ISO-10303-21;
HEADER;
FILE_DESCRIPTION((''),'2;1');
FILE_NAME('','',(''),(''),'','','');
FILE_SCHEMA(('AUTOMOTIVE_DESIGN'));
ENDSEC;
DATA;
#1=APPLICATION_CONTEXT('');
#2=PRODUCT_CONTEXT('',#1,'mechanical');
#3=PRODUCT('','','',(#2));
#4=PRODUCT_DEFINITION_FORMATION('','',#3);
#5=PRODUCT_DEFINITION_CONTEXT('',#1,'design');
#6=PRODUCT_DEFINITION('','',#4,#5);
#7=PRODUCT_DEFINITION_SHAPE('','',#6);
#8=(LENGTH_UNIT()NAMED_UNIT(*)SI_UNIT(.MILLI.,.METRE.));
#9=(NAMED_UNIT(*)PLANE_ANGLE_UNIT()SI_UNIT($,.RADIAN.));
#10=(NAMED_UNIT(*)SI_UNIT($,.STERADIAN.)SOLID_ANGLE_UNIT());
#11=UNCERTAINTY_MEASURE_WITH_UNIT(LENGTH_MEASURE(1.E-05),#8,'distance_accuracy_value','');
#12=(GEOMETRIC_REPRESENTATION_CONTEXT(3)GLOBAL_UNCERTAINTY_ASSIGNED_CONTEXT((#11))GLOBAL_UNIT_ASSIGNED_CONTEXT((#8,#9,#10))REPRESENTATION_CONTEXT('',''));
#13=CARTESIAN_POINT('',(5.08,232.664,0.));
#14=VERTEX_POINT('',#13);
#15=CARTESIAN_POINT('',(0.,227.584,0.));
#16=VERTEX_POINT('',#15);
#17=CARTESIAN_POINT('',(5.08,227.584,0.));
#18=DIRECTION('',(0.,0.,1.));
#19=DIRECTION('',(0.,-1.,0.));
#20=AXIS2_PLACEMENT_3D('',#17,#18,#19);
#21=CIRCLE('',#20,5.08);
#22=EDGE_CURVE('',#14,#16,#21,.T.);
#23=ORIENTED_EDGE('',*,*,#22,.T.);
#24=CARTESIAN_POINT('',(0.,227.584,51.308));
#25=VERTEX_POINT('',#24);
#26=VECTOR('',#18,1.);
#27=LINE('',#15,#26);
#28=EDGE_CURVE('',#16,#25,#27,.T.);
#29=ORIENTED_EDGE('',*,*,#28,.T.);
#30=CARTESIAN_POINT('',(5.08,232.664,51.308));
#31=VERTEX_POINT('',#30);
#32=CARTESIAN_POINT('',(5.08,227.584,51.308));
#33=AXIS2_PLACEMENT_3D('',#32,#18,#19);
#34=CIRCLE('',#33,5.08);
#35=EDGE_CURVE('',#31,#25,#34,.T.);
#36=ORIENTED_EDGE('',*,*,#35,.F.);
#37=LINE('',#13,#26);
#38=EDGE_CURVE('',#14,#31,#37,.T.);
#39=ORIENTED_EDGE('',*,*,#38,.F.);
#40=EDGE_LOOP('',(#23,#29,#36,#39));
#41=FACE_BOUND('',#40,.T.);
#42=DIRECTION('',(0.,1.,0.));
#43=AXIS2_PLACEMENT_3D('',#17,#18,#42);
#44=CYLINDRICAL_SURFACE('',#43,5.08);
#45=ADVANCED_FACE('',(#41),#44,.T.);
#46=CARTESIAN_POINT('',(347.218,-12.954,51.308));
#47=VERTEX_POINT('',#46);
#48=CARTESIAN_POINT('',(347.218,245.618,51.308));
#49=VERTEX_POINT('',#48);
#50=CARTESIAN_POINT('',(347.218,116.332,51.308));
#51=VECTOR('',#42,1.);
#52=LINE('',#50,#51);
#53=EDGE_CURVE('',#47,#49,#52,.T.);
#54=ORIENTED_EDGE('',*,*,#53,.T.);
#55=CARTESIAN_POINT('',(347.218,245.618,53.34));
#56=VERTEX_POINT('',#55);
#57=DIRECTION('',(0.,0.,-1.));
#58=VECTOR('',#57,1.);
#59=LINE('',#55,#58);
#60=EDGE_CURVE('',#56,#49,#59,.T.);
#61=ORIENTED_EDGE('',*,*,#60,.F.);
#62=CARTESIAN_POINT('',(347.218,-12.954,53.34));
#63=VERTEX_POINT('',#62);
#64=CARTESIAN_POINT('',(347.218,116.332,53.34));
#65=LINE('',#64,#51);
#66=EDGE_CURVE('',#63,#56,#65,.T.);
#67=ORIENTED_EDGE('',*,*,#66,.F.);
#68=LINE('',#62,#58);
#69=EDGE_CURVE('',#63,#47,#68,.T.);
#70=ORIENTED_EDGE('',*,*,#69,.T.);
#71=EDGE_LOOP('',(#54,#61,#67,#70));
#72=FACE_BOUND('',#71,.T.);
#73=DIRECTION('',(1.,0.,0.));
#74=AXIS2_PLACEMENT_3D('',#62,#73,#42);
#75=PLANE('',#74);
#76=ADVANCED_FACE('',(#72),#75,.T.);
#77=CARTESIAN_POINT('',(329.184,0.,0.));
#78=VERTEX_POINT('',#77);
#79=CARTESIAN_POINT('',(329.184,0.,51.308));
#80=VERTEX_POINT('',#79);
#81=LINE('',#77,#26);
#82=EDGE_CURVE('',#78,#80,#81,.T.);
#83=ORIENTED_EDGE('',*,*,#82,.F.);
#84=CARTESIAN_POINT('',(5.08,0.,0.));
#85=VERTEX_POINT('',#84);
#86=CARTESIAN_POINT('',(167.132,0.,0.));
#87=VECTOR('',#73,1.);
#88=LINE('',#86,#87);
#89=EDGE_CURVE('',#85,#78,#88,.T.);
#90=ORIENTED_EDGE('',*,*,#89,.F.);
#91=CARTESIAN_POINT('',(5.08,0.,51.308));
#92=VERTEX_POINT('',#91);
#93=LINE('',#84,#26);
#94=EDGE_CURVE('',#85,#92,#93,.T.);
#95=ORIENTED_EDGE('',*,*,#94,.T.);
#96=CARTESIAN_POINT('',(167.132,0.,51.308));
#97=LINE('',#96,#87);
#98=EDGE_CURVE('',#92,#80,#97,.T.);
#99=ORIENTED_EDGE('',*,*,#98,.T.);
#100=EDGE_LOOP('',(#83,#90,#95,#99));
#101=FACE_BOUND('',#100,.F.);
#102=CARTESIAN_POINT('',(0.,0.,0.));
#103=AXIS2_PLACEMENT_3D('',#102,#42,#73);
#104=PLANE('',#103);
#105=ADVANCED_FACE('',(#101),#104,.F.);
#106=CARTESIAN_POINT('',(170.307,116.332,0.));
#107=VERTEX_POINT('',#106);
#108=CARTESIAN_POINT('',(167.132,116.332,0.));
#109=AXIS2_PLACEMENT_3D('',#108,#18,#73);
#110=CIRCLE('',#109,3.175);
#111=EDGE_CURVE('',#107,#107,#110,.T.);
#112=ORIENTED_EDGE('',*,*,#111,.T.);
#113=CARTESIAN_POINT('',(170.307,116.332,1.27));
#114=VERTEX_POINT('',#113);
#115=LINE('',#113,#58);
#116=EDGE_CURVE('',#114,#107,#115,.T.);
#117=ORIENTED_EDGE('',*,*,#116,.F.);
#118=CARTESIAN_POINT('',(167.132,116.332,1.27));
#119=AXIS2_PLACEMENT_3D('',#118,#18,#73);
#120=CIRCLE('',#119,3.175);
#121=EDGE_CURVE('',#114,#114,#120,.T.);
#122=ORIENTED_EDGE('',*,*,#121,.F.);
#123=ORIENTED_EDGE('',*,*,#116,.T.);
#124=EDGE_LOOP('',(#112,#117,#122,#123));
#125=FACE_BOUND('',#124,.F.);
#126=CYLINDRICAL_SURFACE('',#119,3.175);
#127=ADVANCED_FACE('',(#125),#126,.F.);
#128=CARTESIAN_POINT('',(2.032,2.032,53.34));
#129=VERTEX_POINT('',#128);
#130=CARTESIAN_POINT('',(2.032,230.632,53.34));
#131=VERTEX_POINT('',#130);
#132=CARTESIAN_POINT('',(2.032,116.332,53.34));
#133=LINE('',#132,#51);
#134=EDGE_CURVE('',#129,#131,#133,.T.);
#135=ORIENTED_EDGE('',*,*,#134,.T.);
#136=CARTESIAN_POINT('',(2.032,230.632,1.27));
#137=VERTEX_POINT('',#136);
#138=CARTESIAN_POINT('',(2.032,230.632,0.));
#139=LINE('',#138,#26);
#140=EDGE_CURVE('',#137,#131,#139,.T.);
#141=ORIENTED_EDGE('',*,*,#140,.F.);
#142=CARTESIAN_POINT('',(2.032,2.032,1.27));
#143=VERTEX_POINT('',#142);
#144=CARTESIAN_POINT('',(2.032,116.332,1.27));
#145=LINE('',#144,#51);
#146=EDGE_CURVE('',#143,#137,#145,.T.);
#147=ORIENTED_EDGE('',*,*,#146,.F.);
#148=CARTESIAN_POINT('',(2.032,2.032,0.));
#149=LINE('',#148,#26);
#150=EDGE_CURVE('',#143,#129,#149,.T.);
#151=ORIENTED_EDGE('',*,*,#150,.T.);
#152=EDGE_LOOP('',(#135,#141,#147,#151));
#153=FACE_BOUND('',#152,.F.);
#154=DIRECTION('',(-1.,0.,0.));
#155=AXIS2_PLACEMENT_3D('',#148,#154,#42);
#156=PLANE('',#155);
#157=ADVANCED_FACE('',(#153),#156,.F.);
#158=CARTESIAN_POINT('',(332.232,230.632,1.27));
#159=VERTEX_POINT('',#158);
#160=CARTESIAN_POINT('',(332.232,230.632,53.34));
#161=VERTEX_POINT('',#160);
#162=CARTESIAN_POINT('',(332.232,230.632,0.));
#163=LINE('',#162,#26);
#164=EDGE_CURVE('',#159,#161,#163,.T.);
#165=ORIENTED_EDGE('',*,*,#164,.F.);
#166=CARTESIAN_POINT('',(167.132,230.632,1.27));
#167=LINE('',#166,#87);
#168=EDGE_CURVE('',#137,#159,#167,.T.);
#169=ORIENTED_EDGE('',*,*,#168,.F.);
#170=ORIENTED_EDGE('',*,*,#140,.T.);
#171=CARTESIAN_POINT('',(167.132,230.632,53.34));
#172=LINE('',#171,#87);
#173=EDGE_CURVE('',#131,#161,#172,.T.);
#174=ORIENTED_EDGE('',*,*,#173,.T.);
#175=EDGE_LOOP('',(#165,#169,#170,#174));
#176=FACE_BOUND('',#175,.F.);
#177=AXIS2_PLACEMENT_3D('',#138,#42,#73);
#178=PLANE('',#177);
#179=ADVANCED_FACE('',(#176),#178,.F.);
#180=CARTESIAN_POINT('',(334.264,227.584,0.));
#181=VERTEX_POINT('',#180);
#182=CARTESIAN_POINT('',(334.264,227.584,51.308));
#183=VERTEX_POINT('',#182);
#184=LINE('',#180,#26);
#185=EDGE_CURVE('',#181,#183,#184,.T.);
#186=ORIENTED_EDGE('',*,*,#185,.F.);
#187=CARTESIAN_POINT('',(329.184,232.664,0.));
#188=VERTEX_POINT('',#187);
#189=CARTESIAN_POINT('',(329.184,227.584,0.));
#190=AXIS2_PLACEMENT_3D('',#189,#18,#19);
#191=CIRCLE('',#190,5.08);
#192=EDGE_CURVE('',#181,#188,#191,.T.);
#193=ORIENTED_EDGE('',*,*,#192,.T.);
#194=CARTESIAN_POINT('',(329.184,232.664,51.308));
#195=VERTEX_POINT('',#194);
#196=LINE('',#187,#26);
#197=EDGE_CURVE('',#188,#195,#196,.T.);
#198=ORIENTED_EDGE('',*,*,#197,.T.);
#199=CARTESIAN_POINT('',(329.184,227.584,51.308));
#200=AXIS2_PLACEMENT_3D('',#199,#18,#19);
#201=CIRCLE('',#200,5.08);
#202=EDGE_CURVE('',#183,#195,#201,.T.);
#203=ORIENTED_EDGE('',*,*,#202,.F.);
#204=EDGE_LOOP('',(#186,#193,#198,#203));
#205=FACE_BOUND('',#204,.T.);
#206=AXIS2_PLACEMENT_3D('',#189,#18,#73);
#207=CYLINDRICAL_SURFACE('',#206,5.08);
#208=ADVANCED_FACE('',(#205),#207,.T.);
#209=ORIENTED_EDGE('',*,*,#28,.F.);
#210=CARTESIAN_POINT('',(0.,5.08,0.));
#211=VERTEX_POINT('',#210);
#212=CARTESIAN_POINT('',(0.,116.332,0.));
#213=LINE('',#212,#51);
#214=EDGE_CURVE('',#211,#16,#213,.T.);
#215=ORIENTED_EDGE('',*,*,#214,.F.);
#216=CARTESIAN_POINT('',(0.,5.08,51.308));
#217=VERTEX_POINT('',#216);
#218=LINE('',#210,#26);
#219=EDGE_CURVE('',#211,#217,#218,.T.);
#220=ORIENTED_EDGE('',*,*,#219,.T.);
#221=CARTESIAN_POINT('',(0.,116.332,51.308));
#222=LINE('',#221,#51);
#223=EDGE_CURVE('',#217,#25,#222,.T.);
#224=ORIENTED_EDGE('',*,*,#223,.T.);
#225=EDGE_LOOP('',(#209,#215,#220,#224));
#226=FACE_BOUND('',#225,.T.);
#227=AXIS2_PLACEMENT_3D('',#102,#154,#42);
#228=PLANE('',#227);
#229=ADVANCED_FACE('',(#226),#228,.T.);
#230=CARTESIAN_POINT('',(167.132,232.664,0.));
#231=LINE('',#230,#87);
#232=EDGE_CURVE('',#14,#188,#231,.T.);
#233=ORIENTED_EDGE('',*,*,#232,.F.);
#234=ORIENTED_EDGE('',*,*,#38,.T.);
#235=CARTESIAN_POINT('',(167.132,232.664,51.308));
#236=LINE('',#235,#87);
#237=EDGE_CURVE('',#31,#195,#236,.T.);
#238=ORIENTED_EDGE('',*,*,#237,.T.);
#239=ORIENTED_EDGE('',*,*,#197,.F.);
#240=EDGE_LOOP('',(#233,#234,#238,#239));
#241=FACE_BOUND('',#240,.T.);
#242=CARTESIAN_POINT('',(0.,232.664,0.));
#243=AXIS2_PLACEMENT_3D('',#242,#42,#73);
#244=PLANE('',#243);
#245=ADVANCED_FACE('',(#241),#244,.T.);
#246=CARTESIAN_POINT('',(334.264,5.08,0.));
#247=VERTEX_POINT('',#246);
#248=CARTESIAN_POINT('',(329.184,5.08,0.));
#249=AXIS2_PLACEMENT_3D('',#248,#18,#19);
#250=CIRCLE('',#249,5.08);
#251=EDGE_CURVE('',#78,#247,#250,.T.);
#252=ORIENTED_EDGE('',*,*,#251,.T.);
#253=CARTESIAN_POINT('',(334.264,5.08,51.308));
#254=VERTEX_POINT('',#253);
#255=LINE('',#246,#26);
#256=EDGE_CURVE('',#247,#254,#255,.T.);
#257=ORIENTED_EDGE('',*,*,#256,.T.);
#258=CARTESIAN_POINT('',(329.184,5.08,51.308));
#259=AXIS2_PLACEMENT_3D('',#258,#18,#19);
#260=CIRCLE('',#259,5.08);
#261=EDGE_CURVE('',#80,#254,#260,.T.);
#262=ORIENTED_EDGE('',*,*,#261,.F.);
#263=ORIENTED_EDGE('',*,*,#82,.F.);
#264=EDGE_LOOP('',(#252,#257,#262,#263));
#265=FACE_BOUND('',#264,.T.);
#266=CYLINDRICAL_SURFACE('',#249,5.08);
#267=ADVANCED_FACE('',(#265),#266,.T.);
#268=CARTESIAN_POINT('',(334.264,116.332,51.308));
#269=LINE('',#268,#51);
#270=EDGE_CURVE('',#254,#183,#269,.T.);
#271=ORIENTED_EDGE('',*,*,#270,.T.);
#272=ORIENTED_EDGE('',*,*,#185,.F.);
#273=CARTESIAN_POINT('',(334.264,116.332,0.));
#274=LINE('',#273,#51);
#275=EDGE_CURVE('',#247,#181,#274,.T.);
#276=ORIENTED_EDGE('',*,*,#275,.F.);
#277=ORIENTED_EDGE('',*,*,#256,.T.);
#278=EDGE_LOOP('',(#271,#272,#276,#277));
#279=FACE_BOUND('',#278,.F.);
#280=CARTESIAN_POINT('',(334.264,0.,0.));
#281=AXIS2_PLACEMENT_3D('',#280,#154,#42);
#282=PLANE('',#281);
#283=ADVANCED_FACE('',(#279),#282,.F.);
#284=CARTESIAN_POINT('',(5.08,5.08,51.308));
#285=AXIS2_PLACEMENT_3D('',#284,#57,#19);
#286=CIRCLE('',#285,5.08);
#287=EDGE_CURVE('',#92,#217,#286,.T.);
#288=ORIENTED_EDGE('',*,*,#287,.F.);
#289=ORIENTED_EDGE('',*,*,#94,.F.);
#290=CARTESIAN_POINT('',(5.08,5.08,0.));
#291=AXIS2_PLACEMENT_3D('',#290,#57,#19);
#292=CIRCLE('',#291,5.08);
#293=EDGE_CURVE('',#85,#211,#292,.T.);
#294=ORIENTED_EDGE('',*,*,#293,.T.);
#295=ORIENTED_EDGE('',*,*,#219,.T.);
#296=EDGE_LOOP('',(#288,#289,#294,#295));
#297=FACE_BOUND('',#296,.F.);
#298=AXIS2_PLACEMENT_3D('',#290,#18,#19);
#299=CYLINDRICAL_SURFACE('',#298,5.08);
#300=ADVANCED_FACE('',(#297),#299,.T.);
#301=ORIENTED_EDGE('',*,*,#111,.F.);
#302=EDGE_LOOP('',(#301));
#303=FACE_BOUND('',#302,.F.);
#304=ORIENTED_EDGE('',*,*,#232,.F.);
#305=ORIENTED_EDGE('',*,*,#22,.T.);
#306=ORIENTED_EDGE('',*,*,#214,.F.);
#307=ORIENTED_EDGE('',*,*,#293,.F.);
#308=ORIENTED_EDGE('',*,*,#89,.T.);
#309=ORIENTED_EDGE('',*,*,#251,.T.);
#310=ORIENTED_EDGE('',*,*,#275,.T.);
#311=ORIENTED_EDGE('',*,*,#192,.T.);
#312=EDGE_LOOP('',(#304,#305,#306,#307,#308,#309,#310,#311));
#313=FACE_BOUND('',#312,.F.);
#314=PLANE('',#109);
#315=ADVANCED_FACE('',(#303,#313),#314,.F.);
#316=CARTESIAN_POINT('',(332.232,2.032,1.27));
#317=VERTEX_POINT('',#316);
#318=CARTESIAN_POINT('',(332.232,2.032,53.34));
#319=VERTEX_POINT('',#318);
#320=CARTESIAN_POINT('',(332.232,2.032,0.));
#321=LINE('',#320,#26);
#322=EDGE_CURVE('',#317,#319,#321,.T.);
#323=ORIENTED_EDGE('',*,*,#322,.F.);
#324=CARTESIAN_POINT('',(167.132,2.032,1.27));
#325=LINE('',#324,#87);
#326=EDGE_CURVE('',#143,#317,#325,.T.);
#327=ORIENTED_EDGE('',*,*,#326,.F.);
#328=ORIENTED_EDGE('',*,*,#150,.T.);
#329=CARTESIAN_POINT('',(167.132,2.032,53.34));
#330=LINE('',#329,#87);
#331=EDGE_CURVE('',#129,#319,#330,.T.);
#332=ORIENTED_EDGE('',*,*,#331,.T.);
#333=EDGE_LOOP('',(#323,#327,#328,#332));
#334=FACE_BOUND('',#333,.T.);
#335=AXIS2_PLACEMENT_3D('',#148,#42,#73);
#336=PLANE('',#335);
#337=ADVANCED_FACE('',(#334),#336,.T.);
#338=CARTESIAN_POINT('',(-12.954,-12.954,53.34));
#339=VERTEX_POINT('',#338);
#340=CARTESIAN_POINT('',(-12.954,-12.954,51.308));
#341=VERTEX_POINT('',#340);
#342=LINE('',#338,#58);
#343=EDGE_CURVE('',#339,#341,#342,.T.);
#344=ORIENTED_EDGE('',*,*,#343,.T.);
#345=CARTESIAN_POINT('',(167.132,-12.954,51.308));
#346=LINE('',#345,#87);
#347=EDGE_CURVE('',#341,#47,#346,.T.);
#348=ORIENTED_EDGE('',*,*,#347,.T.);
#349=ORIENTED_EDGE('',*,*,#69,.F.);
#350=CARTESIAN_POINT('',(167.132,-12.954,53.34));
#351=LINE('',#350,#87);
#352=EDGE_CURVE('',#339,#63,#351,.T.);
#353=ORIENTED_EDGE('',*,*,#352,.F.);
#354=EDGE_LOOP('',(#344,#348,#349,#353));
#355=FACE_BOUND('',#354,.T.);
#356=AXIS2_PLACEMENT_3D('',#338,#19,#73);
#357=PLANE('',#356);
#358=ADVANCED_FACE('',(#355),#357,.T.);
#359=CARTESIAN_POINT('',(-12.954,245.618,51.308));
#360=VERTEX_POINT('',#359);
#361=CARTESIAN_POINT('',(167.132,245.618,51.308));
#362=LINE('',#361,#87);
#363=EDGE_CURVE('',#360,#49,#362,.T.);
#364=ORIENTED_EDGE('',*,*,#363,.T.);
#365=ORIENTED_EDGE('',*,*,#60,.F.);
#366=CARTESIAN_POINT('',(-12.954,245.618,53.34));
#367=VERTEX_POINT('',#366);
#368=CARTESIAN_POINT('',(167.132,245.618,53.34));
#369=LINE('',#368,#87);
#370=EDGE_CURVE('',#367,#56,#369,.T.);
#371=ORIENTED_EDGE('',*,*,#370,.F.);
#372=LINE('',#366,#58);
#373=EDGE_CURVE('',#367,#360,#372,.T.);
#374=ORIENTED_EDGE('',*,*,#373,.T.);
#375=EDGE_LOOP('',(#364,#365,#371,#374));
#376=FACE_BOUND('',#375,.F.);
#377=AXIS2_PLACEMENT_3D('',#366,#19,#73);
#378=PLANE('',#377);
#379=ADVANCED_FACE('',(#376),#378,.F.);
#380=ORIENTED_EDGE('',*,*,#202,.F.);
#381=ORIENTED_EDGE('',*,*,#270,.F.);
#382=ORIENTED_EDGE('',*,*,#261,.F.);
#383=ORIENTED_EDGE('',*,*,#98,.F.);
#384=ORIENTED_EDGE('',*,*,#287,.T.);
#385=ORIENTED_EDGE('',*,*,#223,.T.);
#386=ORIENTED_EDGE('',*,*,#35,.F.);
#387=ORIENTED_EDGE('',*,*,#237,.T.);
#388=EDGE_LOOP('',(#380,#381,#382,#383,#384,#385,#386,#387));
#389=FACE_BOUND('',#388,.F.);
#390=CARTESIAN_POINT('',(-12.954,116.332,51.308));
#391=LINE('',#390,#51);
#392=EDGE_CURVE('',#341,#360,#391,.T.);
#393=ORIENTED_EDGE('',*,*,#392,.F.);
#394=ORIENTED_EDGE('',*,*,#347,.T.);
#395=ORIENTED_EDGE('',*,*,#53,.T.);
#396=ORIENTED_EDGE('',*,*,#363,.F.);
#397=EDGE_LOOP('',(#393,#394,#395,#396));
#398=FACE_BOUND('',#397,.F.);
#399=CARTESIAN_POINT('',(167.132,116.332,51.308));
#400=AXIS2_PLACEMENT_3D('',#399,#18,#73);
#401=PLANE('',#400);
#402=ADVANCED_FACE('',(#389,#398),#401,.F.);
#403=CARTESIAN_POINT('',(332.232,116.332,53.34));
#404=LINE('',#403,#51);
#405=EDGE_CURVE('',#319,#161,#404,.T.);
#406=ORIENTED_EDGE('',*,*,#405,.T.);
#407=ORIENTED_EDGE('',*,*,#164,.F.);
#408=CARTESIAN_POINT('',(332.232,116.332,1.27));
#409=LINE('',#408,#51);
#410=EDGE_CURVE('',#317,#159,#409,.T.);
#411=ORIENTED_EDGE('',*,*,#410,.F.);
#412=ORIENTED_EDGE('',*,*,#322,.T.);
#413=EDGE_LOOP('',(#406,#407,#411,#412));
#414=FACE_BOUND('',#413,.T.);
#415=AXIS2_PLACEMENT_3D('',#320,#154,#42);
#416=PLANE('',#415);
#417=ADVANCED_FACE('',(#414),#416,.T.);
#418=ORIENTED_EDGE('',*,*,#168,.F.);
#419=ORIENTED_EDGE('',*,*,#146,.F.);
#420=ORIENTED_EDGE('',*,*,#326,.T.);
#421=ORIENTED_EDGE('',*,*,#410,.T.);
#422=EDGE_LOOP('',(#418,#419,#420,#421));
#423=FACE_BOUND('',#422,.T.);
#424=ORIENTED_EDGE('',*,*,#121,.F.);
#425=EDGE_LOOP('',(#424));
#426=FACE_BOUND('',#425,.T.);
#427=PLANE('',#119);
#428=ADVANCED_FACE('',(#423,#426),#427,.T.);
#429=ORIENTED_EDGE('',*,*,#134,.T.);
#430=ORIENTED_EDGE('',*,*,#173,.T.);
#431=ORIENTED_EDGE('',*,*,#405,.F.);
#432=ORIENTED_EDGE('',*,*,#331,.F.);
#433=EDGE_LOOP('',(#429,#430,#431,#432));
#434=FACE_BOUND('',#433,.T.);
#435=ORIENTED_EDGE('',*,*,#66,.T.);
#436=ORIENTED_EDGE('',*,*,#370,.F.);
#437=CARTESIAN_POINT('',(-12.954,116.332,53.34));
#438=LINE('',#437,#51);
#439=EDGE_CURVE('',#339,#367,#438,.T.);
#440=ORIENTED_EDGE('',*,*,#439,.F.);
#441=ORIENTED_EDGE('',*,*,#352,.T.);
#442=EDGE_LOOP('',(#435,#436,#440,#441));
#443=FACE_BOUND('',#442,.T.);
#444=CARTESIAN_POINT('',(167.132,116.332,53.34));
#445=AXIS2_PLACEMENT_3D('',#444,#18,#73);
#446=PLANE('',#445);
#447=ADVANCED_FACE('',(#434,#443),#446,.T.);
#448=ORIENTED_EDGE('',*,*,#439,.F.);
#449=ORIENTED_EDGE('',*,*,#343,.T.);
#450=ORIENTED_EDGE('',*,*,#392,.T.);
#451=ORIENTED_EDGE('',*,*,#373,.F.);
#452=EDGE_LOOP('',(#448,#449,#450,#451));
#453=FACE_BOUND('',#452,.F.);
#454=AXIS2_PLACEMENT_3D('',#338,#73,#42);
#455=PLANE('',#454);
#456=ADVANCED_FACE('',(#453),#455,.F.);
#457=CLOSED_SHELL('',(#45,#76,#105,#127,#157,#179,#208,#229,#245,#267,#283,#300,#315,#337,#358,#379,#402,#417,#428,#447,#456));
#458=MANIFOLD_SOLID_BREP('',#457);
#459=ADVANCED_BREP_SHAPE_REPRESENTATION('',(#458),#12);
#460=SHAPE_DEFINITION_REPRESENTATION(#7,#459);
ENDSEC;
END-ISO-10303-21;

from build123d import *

# Parameters (mm, degrees)
F0_W     = 334.264
F0_H     = 232.664
F0_W_2   = 330.2
F0_H_2   = 228.6
F1_DEPTH = 53.34
F2_DEPTH = 1.27
F3_W     = 360.172
F3_H     = 258.572
F3_W_2   = 334.264
F3_H_2   = 232.664
F4_DEPTH = 2.032
F5_R     = 5.08
F6_R     = 3.175
F7_DEPTH = 1.271


with BuildPart() as f1:
    # F0 (on Top) → F1 (new body)
    with BuildSketch(Plane.XY):
        with Locations((167.132, 116.332)):
            Rectangle(F0_W, F0_H)
        with Locations((167.132, 116.332)):
            Rectangle(F0_W_2, F0_H_2, mode=Mode.SUBTRACT)
    extrude(amount=F1_DEPTH)

    # F0 (on Top) → F2 (join)
    with BuildSketch(Plane.XY):
        with Locations((167.132, 116.332)):
            Rectangle(F0_W_2, F0_H_2)
    extrude(amount=F2_DEPTH)

    # F3 (on face) → F4 (join)
    with BuildSketch(Plane.XY.offset(53.34)):
        with Locations((167.132, 116.332)):
            Rectangle(F3_W, F3_H)
        with Locations((167.132, 116.332)):
            Rectangle(F3_W_2, F3_H_2, mode=Mode.SUBTRACT)
    extrude(amount=-F4_DEPTH)

    # F5
    f5_edges = [f1.edges().sort_by_distance(p)[0] for p in [
        (334.264, 0, 25.654),
        (334.264, 232.664, 25.654),
        (0, 232.664, 25.654),
        (0, 0, 25.654),
    ]]
    fillet(f5_edges, radius=F5_R)

    # F6 (on face) → F7 (cut, through all)
    with BuildSketch(Plane.XY.offset(1.27)):
        with Locations((167.132, 116.332)):
            Circle(F6_R)
    extrude(amount=-F7_DEPTH, mode=Mode.SUBTRACT)


solid = f1.part
